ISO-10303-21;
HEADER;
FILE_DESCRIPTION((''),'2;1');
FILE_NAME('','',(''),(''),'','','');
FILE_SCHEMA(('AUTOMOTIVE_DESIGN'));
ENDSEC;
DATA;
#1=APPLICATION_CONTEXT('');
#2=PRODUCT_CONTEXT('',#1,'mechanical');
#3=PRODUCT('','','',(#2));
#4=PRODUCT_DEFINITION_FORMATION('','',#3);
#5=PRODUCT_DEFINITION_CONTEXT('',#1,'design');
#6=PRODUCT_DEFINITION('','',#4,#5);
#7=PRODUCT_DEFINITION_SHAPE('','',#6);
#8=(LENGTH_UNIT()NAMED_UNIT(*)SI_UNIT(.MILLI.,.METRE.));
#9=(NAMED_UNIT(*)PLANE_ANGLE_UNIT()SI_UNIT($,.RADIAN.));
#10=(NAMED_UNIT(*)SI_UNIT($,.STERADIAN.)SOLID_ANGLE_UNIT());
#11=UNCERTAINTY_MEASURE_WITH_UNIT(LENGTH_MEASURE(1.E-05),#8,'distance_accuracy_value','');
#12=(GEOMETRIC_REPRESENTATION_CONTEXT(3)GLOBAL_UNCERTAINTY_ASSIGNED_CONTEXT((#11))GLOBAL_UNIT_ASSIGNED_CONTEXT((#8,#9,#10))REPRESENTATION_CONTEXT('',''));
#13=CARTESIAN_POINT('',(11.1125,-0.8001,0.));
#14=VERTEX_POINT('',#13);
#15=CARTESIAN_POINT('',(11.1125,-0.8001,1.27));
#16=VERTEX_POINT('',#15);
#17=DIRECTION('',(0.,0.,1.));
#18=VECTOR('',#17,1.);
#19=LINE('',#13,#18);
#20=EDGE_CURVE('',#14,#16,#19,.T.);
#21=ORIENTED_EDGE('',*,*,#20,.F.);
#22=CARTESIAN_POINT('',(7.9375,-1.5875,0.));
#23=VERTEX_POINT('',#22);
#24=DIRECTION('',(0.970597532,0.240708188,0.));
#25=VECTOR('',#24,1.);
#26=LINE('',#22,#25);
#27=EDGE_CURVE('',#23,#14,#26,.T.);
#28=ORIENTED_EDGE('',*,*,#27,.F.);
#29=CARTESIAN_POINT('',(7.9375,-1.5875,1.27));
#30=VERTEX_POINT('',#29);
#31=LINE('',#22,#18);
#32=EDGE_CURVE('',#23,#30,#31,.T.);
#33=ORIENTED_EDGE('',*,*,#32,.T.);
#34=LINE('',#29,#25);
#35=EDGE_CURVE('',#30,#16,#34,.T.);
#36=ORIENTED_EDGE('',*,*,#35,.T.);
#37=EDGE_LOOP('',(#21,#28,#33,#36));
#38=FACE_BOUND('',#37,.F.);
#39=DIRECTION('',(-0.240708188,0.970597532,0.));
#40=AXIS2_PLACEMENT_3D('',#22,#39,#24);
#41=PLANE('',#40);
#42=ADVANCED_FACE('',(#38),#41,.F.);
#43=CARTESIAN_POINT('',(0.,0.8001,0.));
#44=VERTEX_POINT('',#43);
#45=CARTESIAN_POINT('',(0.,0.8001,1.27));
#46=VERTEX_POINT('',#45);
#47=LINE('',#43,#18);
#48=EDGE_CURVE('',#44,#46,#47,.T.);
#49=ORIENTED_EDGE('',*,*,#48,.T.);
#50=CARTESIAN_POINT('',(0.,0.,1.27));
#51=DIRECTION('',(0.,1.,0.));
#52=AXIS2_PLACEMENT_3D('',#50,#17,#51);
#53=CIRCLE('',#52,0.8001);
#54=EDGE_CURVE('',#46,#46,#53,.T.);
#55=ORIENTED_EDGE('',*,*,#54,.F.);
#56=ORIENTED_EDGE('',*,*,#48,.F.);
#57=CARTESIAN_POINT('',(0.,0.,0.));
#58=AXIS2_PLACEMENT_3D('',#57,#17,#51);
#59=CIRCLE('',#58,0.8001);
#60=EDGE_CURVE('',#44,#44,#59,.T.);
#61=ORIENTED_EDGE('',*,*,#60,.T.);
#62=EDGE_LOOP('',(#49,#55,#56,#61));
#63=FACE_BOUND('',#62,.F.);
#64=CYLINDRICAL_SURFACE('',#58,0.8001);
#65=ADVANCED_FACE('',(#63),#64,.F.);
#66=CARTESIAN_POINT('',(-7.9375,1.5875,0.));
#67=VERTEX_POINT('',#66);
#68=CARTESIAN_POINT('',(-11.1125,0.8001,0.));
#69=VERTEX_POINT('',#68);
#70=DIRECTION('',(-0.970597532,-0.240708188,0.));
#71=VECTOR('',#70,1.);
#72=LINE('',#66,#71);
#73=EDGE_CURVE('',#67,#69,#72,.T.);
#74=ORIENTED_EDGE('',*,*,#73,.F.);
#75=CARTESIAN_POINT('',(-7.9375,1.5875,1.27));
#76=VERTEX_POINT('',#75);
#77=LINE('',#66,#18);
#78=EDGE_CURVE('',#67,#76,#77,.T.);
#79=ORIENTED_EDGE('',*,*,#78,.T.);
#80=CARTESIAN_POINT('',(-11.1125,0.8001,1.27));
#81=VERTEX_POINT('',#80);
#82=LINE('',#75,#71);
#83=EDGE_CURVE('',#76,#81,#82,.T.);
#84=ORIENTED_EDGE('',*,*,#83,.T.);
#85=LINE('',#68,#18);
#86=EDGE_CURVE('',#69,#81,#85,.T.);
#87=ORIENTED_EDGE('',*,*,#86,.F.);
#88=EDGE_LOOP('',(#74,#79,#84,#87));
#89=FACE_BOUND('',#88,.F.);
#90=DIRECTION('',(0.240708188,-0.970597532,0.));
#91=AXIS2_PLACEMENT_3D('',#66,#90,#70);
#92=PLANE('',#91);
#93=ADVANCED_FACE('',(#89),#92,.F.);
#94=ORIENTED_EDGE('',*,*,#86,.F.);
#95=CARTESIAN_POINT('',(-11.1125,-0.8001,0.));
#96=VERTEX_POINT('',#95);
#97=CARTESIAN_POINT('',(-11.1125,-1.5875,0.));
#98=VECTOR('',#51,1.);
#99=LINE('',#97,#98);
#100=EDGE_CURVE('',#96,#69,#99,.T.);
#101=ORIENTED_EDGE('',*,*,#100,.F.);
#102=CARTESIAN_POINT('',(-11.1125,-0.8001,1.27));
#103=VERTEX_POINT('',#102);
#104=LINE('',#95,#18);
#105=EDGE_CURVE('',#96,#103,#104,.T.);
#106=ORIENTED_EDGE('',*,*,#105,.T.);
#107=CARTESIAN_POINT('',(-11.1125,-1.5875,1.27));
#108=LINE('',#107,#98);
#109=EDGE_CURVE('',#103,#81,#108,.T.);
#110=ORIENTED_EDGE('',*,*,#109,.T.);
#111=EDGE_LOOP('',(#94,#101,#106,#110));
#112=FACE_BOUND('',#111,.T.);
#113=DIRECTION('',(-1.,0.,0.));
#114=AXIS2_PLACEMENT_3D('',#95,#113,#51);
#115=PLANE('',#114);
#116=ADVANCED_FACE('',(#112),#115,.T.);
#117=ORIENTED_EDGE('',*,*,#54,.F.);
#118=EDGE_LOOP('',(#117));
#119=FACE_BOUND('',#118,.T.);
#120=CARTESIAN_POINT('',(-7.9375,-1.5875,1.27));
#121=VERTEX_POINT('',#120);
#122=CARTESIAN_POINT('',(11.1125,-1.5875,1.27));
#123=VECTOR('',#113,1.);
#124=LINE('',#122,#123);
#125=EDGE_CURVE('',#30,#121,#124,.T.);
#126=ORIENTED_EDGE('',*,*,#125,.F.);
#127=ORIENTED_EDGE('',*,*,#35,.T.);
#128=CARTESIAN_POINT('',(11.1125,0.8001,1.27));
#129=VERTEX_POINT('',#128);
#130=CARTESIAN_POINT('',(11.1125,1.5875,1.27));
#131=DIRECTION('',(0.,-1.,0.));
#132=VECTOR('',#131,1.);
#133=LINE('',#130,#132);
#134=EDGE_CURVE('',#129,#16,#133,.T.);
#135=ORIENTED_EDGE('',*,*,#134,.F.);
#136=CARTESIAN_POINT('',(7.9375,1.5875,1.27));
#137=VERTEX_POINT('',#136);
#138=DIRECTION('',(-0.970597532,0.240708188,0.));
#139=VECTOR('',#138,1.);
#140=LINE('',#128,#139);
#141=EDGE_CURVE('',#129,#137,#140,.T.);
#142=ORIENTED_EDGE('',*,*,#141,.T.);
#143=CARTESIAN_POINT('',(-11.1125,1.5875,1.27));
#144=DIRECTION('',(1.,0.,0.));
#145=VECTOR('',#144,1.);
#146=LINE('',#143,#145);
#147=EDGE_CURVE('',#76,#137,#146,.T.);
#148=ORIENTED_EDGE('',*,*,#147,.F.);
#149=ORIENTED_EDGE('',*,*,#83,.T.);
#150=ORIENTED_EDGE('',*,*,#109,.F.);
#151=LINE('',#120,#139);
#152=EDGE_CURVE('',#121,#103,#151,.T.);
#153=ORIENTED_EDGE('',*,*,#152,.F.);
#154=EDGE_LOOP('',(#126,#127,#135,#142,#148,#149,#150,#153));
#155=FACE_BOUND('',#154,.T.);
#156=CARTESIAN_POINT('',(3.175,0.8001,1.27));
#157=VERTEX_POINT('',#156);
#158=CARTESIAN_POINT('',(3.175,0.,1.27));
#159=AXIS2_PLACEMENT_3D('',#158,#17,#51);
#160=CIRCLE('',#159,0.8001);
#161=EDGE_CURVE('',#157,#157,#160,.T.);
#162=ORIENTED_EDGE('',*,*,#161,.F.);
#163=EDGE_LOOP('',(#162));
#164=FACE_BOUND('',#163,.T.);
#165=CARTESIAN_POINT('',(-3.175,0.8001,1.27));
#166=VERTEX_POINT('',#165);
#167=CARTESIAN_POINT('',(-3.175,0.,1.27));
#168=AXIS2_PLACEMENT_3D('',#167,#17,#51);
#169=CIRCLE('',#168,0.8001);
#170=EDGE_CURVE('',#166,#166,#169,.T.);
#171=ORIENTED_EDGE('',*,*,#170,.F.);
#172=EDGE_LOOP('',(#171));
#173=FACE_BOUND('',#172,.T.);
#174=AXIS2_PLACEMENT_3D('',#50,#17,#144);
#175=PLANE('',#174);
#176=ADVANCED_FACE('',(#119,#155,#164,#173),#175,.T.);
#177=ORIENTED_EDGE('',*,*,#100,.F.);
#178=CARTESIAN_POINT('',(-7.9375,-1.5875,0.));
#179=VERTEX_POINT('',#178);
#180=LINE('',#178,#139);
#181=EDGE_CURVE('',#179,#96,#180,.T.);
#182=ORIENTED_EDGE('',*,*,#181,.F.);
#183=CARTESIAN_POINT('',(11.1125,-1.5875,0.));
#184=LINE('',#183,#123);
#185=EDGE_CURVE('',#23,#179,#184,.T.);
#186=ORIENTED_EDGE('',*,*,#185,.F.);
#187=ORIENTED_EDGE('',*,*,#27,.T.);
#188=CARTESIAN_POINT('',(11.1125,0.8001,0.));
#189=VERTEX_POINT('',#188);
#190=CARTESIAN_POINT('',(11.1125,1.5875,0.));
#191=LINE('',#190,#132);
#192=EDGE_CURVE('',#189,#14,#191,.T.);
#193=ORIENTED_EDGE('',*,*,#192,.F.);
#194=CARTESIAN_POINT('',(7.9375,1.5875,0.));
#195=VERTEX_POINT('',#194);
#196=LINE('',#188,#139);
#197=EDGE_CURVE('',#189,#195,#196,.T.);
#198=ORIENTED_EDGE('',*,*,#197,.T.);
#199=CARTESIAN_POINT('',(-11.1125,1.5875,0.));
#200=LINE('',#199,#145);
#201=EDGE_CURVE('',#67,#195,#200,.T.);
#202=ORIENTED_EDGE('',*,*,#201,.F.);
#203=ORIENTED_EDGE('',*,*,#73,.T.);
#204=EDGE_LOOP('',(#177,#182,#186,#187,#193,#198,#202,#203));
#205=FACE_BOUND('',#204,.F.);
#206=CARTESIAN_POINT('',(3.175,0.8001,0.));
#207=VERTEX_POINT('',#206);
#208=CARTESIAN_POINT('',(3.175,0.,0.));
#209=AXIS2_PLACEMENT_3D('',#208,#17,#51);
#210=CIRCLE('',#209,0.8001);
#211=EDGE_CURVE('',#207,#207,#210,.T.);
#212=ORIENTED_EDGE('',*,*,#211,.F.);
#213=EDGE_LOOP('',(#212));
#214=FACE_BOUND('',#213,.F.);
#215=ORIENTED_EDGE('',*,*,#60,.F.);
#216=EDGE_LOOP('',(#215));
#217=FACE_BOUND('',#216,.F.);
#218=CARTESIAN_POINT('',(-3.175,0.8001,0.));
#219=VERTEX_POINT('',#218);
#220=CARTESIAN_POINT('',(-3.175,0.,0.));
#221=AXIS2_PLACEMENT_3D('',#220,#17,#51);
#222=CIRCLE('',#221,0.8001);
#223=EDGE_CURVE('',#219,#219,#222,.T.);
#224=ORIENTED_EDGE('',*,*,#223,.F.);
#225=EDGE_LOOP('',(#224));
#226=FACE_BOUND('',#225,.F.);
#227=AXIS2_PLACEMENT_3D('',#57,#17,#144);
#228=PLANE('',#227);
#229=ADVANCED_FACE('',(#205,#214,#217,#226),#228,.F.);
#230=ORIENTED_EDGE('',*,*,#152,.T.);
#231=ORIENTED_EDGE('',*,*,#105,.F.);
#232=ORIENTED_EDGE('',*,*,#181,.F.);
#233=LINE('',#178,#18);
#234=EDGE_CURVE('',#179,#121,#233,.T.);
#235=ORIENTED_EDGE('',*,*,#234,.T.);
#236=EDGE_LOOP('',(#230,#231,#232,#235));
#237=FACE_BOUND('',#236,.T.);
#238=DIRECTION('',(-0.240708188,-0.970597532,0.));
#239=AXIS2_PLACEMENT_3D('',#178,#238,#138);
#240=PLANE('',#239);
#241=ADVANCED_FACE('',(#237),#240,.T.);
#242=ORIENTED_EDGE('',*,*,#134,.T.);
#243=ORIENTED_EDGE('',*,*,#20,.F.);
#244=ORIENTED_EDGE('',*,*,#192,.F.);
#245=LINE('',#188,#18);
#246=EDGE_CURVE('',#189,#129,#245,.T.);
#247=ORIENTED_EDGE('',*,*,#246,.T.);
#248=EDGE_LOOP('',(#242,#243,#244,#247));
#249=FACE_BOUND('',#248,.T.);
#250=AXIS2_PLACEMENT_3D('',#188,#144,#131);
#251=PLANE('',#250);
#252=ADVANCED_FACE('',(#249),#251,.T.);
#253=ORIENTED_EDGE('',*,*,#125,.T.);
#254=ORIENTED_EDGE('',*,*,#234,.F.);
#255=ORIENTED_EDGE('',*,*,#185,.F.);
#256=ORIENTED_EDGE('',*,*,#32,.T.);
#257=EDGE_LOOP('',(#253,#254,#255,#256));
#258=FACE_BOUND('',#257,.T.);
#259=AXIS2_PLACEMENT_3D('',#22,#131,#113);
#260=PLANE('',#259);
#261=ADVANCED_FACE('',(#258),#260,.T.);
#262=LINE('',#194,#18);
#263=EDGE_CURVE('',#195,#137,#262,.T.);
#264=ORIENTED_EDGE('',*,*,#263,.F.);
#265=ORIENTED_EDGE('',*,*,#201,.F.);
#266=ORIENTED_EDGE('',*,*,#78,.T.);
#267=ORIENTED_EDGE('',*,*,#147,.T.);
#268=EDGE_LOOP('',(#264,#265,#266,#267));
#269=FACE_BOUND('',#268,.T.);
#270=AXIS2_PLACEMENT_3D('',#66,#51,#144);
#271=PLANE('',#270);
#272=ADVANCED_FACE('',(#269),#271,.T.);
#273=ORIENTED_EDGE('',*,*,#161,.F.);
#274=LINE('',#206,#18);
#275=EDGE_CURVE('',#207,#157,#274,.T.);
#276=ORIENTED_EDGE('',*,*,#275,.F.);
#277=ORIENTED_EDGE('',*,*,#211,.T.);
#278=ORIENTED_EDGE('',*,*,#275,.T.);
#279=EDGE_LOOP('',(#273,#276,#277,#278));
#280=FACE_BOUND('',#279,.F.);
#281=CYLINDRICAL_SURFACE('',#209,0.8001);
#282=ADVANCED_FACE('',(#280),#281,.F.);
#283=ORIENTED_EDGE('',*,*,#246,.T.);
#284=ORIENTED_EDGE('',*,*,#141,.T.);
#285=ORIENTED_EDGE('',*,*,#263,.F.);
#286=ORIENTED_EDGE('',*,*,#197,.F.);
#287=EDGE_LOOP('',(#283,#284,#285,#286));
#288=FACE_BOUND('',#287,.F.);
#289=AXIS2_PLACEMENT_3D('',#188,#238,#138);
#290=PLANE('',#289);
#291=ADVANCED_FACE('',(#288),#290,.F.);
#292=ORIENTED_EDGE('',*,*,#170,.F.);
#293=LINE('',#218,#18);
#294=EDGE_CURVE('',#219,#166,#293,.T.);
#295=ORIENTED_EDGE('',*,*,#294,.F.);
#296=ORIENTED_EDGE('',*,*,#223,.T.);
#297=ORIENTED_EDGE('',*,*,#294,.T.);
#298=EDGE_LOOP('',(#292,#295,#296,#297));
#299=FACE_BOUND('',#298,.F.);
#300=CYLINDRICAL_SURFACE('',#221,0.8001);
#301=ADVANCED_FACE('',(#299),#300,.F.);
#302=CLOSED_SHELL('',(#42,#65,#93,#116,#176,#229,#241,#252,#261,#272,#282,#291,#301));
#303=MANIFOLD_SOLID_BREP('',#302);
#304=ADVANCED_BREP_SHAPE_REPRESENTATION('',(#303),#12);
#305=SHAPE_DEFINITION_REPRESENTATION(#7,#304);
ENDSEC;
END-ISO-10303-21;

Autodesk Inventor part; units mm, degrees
ref_plane "YZ Plane" through (0, 0, 0) normal (1, 0, 0) x (0, 1, 0)
ref_plane "XZ Plane" through (0, 0, 0) normal (0, 1, 0) x (-1, 0, 0)
ref_plane "XY Plane" through (0, 0, 0) normal (0, 0, 1) x (1, 0, 0)
sketch "Sketch1" plane through (0, 0, 0) normal (0, 0, 1) x (1, 0, 0)
  line L0 (-11.1125, 1.5875) -> (11.1125, 1.5875)
  line L1 (11.1125, 1.5875) -> (11.1125, -1.5875)
  line L2 (11.1125, -1.5875) -> (-11.1125, -1.5875)
  line L3 (-11.1125, -1.5875) -> (-11.1125, 1.5875)
  line L4 (-7.9375, 1.5875) -> (-11.1125, 0.8001)
  line L5 (-7.9375, -1.5875) -> (-11.1125, -0.8001)
  line L6 (7.9375, -1.5875) -> (11.1125, -0.8001)
  line L7 (11.1125, 0.8001) -> (7.9375, 1.5875)
  point P0 (0, 0)
  point P1 (-3.175, 0)
  point P2 (0, 0)
  point P3 (3.175, 0)
  dimension "d0" = 3.175
  dimension "d1" = 22.225
  dimension "d2" = 11.1125
  dimension "d3" = 1.5875
  dimension "d4" = 1.6002
  dimension "d5" = 1.6002
  dimension "d6" = 0.7874
  dimension "d7" = 0.7874
  dimension "d8" = 3.175
  dimension "d9" = 3.175
  dimension "d10" = 3.175
  dimension "d11" = 3.175
  dimension "d12" = 3.175
  dimension "d13" = 3.175
  dimension "d14" = 0
  dimension "d15" = 1.5875
extrude "Extrusion1" add sketch "Sketch1" along normal blind 1.27 contours L0 L7 L1 L6 L2 L5 L3 L4
hole "Hole1" at (-3.175, 0, 0) at (0, 0, 0) at (3.175, 0, 0) direction (0, 0, 1) diameter 1.6002 end through all
equation "\"d2\" = 0.5 * d1"
equation "\"d3\" = 0.5 * d0"
properties part number "J001375" material "TITANIUM, 6AL-4V, ANNEALED"
